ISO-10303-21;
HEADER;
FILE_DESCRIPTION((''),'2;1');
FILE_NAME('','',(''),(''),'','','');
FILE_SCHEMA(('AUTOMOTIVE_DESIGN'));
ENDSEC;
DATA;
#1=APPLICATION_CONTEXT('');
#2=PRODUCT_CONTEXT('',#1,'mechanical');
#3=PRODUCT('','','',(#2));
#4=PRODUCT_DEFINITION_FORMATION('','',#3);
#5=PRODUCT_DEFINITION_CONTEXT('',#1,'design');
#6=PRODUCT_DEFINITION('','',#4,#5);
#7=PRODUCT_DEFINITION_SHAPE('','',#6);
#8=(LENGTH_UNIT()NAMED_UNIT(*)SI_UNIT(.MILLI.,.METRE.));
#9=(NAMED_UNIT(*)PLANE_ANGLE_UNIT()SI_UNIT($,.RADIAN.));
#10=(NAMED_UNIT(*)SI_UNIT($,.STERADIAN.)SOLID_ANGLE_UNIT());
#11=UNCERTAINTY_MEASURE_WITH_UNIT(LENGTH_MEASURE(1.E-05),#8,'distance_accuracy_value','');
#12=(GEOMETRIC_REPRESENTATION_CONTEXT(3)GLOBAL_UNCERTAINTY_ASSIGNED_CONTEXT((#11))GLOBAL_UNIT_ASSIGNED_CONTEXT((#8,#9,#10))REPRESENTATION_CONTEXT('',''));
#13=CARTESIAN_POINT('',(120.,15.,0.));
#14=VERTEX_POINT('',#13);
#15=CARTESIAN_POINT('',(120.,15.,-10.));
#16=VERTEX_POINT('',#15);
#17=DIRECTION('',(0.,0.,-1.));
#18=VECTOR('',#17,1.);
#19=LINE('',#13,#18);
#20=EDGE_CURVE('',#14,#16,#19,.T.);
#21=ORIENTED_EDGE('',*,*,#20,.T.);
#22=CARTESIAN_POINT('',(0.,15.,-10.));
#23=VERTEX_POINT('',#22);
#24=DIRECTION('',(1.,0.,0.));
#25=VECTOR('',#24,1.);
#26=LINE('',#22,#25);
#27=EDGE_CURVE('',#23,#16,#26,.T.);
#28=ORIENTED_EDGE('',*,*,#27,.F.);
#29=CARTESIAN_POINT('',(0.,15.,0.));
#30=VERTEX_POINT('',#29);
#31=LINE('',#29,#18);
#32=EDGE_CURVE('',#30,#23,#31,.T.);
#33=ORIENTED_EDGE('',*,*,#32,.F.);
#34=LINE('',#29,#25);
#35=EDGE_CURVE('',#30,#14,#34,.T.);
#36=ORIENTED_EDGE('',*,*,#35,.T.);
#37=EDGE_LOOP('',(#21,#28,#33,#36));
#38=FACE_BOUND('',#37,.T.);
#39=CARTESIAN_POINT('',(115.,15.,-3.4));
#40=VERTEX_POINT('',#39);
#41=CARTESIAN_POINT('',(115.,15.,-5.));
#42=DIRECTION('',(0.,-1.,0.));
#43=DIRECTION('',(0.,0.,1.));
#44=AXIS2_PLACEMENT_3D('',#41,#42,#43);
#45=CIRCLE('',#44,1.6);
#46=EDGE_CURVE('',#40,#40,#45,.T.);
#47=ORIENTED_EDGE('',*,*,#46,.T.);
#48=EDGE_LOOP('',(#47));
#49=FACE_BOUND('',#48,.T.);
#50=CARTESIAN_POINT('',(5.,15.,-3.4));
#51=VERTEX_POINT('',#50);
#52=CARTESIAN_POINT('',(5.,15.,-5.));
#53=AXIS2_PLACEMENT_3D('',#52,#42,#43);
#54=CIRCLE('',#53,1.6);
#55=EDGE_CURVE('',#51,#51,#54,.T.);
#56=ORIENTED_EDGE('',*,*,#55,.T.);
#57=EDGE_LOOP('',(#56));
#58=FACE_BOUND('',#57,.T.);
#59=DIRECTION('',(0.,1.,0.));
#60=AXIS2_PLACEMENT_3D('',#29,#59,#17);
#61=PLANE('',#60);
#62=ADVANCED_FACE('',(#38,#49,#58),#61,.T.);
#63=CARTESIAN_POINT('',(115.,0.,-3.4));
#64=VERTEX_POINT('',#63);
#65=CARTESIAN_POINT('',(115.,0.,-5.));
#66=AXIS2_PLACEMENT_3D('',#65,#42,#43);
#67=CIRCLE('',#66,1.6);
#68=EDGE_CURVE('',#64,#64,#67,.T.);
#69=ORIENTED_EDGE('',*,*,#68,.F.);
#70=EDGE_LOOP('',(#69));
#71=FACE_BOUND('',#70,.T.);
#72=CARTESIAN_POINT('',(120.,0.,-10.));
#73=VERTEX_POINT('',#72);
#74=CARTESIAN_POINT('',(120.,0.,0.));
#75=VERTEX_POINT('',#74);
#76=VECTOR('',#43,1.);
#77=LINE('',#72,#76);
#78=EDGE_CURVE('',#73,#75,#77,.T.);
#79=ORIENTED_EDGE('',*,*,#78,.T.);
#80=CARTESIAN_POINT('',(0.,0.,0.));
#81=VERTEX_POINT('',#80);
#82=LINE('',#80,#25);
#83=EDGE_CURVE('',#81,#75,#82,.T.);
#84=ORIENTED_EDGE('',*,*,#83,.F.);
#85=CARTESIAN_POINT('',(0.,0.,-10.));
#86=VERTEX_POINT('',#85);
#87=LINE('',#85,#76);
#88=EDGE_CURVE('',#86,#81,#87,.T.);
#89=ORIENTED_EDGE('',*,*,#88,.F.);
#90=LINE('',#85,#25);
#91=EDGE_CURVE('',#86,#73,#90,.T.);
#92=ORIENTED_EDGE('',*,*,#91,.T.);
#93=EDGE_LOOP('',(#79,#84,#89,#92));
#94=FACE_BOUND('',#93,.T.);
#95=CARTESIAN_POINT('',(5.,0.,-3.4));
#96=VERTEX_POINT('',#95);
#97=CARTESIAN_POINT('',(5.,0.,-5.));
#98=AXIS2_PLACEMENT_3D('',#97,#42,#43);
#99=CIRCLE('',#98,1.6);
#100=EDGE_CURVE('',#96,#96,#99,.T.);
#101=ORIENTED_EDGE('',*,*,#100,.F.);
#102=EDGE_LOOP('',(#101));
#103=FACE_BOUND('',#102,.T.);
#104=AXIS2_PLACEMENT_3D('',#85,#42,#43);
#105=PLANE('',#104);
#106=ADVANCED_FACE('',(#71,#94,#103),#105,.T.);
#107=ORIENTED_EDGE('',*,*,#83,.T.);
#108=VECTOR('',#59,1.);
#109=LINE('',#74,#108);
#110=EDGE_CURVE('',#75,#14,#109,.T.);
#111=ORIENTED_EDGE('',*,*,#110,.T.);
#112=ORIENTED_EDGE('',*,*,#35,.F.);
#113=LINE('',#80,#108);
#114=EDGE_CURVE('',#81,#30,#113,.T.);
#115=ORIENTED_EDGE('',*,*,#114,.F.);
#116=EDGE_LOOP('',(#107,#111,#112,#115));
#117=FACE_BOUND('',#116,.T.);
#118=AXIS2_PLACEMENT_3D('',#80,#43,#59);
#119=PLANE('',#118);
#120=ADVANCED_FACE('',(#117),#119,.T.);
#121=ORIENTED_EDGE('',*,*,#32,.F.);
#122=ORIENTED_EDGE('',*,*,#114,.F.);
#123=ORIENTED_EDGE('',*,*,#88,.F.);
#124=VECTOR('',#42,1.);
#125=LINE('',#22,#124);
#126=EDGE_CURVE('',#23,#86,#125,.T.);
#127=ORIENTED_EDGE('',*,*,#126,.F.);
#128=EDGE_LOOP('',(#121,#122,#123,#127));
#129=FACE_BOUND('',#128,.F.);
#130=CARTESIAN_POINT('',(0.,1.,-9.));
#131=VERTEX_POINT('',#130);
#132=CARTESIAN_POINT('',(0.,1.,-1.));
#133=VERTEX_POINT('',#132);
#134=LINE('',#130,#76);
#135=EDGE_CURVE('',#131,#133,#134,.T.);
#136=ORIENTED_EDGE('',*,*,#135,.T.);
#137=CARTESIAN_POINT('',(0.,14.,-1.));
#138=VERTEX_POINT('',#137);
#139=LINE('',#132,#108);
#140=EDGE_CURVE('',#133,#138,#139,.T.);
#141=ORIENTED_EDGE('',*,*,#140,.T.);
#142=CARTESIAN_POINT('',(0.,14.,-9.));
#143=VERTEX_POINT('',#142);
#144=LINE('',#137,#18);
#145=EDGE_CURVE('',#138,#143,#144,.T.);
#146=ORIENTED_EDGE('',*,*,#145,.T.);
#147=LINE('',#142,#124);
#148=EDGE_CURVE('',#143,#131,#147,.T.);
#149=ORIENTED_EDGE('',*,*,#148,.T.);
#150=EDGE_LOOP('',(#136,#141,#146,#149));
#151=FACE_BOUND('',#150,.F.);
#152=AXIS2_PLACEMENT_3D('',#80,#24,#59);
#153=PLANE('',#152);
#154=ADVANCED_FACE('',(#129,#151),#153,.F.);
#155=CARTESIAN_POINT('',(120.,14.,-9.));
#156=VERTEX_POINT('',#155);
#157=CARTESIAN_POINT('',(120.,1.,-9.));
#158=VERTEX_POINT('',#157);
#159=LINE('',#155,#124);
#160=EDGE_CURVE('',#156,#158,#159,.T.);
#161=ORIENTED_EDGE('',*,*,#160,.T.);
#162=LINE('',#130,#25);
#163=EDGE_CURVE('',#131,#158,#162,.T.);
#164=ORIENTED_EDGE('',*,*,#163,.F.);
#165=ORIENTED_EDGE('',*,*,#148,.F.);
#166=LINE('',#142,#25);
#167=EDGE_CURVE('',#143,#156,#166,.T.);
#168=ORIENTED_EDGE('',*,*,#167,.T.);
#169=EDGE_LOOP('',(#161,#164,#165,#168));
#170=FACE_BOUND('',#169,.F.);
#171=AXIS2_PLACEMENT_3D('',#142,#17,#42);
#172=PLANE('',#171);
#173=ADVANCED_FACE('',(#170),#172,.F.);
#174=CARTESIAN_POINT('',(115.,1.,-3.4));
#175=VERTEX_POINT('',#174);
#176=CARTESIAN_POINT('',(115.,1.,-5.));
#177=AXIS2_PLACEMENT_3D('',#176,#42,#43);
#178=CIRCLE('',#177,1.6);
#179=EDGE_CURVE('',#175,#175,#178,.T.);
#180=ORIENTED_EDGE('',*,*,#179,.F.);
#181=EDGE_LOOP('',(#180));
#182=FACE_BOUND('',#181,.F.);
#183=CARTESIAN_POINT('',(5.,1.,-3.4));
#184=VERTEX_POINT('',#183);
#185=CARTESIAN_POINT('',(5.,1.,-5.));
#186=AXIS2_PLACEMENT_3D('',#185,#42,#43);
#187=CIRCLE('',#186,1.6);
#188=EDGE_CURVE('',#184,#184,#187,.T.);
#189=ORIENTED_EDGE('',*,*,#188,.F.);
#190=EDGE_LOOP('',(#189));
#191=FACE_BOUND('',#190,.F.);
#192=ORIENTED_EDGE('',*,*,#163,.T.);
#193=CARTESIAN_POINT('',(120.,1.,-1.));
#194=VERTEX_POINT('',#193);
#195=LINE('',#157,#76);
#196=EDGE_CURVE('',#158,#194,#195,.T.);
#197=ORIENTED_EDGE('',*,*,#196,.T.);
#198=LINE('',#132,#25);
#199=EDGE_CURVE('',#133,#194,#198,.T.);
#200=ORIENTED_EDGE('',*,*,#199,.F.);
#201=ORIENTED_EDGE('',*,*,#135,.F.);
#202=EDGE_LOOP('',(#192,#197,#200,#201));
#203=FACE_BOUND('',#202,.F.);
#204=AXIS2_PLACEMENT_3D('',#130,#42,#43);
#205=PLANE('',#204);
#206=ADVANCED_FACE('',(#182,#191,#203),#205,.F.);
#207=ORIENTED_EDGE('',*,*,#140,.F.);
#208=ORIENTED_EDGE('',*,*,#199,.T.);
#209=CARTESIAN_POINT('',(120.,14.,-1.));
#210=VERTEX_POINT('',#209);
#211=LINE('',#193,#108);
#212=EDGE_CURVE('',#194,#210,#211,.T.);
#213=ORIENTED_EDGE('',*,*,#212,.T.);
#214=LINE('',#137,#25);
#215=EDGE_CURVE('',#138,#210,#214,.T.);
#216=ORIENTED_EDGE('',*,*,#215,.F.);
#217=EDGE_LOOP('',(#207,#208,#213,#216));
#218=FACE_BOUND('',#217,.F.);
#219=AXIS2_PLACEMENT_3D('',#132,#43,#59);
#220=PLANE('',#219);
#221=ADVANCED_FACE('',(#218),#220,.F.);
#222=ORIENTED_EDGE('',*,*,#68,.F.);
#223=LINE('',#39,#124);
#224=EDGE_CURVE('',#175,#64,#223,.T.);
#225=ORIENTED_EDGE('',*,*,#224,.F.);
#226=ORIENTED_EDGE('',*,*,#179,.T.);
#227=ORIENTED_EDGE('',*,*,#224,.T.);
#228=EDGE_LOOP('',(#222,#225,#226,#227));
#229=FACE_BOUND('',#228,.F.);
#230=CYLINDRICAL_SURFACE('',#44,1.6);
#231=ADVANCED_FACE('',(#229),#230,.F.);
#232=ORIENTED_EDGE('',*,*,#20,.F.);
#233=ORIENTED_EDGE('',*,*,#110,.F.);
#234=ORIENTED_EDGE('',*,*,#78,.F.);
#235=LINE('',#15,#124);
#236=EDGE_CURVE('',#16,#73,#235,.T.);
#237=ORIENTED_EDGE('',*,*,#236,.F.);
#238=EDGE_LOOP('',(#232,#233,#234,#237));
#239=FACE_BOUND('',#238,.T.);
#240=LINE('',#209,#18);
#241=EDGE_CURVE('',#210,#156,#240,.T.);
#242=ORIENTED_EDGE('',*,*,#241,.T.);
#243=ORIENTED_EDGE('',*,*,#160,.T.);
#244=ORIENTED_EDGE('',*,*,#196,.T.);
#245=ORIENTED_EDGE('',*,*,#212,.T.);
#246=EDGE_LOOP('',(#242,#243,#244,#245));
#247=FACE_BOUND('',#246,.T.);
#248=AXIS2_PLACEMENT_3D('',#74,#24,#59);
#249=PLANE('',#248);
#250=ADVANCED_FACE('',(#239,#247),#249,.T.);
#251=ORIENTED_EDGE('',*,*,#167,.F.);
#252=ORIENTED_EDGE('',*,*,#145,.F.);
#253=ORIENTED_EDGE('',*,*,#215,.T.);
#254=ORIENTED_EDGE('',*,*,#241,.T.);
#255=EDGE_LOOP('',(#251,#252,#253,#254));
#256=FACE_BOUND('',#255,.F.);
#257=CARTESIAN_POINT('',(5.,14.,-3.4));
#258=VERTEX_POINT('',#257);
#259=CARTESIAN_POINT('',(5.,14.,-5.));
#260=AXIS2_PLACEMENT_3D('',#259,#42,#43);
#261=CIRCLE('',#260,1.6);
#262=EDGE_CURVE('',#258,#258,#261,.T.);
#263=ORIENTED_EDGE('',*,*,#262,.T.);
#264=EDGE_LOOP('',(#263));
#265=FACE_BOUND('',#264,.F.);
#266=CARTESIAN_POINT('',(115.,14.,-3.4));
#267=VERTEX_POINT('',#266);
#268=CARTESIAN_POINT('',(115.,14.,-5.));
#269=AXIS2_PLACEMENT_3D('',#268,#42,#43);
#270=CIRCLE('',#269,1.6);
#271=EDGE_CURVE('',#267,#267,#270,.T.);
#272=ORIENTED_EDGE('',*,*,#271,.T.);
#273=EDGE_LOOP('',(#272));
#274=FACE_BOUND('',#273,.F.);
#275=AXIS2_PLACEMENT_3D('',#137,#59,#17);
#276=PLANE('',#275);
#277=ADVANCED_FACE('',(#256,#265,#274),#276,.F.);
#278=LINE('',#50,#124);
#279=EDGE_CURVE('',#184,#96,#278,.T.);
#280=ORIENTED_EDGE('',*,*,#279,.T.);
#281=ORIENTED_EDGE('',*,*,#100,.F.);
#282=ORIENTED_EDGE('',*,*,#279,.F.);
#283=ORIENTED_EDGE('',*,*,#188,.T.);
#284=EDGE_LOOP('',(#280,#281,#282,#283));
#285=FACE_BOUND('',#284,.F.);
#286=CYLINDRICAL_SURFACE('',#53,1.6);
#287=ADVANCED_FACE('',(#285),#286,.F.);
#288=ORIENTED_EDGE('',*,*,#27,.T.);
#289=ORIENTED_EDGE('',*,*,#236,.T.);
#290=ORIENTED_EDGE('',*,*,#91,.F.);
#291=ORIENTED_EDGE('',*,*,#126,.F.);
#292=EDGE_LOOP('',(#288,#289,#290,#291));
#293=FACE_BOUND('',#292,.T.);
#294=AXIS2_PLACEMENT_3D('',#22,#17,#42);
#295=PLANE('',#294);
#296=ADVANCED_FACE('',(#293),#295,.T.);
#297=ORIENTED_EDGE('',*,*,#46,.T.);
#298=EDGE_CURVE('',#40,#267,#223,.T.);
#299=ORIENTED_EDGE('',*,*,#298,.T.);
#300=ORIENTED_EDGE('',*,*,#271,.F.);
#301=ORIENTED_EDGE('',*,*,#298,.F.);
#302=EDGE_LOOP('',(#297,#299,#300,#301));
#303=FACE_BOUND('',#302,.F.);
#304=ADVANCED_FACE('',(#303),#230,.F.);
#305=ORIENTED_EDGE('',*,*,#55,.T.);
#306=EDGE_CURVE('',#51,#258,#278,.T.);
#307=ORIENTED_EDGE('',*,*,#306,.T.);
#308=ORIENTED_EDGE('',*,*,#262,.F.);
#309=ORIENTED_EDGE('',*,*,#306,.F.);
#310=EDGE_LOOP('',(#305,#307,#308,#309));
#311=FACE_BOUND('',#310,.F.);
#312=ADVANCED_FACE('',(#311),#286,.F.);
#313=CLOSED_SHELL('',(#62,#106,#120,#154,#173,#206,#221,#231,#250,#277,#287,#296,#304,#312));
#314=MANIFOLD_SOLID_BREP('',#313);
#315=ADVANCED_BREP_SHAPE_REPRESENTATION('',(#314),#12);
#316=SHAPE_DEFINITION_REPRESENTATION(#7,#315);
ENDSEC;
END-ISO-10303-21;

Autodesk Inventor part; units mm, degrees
ref_plane "YZ Plane" through (0, 0, 0) normal (1, 0, 0) x (0, 1, 0)
ref_plane "XZ Plane" through (0, 0, 0) normal (0, 1, 0) x (-1, 0, 0)
ref_plane "XY Plane" through (0, 0, 0) normal (0, 0, 1) x (1, 0, 0)
sketch "スケッチ1" plane through (0, 0, 0) normal (1, 0, 0) x (0, 1, 0)
  line L0 (0, 0) -> (15, 0)
  line L1 (15, 0) -> (15, -10)
  line L2 (15, -10) -> (0, -10)
  line L3 (0, -10) -> (0, 0)
  line L4 (1, -1) -> (14, -1)
  line L5 (14, -1) -> (14, -9)
  line L6 (14, -9) -> (1, -9)
  line L7 (1, -9) -> (1, -1)
  dimension "d0" = 15
  dimension "d1" = 10
  dimension "d2" = 13
  dimension "d3" = 8
  dimension "d4" = 1
  dimension "d5" = 1
extrude "押し出し1" add sketch "スケッチ1" along normal blind 120
sketch "スケッチ2" plane through (0, 15, 0) normal (0, 1, 0) x (1, 0, 0)
  line L0 (0, 9) -> (0, 1) projected
  line L1 (0, 5) -> (120, 5)
  line L2 (120, 10) -> (120, 0) projected
  point P0 (0, 0)
  point P1 (5, 5)
  point P2 (115, 5)
  dimension "d8" = 5
  dimension "d9" = 5
hole "穴1" at (5, 15, -5) at (115, 15, -5) direction (0, -1, 0) diameter 3.2 end through all
properties part number "base_pipe1" material "アルミニウム 6061"
